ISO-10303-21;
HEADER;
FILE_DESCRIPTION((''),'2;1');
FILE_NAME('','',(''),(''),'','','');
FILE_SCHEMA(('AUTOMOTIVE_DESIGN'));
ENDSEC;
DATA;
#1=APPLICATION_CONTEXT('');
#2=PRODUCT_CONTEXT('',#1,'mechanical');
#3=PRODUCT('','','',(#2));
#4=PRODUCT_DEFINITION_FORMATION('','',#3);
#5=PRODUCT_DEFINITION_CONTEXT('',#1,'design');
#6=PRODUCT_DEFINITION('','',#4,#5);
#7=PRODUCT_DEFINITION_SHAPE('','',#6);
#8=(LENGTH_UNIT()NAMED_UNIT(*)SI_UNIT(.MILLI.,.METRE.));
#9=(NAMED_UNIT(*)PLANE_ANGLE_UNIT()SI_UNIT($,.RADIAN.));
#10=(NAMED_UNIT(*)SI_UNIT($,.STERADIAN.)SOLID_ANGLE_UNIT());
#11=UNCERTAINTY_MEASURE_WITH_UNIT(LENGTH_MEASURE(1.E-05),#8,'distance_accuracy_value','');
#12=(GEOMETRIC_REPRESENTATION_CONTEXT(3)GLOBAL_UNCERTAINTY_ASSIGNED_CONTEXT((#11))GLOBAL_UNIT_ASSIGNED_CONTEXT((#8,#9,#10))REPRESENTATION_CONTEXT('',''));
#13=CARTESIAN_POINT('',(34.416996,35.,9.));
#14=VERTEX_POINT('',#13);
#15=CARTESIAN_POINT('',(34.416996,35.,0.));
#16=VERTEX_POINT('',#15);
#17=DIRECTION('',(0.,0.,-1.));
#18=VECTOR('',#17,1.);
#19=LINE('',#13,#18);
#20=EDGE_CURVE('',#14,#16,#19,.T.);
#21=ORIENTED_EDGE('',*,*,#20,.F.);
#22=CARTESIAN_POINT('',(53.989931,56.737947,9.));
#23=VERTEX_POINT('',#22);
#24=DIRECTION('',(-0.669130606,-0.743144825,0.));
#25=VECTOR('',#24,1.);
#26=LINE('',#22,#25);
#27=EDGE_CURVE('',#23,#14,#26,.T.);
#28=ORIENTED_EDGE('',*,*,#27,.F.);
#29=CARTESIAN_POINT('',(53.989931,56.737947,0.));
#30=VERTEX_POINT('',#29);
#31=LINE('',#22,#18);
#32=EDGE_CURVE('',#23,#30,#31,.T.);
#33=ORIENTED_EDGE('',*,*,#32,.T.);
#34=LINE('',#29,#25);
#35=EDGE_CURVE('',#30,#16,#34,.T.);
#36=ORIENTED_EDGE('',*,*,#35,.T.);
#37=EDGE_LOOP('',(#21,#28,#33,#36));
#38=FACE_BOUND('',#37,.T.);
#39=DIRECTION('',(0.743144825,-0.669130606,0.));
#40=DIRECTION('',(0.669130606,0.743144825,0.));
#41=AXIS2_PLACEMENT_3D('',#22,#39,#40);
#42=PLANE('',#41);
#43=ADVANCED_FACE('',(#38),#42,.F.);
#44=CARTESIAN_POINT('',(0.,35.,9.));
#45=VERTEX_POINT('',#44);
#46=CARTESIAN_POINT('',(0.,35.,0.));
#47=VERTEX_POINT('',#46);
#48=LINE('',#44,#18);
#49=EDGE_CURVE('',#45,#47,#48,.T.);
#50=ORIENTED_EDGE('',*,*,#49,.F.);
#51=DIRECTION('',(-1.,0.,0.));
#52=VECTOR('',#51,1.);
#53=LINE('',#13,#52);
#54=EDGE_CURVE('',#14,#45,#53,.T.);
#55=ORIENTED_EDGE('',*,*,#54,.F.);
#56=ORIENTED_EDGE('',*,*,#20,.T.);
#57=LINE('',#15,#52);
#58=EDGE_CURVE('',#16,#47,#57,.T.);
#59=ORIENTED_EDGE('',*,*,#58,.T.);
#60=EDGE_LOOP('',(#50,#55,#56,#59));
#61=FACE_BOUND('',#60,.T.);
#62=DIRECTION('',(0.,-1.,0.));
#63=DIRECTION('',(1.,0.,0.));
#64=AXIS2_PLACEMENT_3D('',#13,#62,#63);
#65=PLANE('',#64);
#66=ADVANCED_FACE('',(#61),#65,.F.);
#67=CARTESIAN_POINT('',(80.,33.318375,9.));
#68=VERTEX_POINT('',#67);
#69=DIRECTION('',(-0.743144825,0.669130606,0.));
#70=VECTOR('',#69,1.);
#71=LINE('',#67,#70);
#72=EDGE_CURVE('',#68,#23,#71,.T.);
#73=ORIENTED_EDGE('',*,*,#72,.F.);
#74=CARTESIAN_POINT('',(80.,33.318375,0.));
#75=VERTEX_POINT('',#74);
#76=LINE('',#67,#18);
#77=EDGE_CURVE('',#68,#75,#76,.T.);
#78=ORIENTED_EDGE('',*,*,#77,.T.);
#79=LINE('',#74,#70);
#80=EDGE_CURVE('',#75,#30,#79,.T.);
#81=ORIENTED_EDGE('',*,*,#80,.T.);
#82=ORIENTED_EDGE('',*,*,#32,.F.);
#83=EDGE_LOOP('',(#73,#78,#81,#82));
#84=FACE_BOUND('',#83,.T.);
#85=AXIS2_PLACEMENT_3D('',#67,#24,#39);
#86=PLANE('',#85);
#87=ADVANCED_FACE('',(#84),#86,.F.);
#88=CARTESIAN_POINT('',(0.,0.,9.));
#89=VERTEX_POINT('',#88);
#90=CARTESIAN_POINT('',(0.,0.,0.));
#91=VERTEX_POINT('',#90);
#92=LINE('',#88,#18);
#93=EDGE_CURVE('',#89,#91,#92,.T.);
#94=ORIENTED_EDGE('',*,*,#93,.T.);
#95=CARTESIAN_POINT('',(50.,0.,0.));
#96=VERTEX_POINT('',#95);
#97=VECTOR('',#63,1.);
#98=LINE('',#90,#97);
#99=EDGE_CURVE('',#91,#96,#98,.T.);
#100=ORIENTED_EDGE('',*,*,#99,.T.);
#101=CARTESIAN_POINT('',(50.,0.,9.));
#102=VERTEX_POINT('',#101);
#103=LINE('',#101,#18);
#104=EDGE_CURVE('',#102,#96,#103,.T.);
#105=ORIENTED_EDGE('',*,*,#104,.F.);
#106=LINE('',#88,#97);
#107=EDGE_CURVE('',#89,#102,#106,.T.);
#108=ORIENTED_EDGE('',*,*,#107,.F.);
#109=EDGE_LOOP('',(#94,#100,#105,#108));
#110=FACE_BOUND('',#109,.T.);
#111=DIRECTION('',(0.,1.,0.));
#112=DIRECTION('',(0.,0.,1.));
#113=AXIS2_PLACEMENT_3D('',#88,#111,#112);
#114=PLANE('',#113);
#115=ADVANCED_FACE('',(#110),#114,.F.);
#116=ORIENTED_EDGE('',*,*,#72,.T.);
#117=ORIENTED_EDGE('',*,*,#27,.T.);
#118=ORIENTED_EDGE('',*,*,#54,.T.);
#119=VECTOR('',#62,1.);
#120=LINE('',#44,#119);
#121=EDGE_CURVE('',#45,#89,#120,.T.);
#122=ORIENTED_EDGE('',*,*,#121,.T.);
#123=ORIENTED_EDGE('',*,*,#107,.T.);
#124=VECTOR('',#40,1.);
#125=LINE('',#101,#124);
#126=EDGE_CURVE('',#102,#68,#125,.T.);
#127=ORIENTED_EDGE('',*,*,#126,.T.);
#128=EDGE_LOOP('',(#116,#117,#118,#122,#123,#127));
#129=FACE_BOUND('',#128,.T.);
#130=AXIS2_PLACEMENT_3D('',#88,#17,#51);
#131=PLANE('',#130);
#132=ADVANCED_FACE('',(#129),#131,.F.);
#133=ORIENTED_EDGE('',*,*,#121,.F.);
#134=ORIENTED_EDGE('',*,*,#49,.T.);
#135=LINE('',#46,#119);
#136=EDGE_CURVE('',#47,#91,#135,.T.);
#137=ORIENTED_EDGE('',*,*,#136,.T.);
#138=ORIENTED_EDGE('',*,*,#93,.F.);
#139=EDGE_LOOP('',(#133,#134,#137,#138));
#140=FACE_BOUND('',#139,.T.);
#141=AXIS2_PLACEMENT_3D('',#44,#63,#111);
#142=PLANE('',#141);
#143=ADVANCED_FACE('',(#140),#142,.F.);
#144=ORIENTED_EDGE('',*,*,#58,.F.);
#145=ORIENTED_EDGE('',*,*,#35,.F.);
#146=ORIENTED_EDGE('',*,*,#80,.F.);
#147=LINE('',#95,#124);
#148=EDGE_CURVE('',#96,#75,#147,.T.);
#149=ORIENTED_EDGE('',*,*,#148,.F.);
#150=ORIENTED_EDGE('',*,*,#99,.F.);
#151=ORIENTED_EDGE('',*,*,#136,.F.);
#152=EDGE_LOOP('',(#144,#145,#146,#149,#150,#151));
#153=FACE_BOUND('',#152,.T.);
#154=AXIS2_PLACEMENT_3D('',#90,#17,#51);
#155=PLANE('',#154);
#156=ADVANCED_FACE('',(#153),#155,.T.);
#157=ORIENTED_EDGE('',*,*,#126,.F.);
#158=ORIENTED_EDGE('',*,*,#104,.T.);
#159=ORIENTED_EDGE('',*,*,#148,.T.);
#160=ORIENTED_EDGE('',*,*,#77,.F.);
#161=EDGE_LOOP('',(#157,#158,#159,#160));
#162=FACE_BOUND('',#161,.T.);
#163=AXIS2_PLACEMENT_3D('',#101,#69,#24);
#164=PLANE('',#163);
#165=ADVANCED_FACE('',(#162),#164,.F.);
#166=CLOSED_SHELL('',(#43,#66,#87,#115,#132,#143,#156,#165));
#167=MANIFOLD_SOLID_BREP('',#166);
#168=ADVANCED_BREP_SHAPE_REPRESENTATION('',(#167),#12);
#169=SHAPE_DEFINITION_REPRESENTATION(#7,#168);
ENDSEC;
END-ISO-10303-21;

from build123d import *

# Parameters (mm, degrees)
BOSS_EXTRUDE1_DEPTH = 9


with BuildPart() as part:
    # Sketch1 → Boss-Extrude1 (new body)
    with BuildSketch(Plane.XY):
        Polygon((0, 0), (50, 0), (80, 33.318375445), (53.989931108, 56.737946667), (34.416996014, 35), (0, 35), align=None)
    extrude(amount=BOSS_EXTRUDE1_DEPTH)


solid = part.part
